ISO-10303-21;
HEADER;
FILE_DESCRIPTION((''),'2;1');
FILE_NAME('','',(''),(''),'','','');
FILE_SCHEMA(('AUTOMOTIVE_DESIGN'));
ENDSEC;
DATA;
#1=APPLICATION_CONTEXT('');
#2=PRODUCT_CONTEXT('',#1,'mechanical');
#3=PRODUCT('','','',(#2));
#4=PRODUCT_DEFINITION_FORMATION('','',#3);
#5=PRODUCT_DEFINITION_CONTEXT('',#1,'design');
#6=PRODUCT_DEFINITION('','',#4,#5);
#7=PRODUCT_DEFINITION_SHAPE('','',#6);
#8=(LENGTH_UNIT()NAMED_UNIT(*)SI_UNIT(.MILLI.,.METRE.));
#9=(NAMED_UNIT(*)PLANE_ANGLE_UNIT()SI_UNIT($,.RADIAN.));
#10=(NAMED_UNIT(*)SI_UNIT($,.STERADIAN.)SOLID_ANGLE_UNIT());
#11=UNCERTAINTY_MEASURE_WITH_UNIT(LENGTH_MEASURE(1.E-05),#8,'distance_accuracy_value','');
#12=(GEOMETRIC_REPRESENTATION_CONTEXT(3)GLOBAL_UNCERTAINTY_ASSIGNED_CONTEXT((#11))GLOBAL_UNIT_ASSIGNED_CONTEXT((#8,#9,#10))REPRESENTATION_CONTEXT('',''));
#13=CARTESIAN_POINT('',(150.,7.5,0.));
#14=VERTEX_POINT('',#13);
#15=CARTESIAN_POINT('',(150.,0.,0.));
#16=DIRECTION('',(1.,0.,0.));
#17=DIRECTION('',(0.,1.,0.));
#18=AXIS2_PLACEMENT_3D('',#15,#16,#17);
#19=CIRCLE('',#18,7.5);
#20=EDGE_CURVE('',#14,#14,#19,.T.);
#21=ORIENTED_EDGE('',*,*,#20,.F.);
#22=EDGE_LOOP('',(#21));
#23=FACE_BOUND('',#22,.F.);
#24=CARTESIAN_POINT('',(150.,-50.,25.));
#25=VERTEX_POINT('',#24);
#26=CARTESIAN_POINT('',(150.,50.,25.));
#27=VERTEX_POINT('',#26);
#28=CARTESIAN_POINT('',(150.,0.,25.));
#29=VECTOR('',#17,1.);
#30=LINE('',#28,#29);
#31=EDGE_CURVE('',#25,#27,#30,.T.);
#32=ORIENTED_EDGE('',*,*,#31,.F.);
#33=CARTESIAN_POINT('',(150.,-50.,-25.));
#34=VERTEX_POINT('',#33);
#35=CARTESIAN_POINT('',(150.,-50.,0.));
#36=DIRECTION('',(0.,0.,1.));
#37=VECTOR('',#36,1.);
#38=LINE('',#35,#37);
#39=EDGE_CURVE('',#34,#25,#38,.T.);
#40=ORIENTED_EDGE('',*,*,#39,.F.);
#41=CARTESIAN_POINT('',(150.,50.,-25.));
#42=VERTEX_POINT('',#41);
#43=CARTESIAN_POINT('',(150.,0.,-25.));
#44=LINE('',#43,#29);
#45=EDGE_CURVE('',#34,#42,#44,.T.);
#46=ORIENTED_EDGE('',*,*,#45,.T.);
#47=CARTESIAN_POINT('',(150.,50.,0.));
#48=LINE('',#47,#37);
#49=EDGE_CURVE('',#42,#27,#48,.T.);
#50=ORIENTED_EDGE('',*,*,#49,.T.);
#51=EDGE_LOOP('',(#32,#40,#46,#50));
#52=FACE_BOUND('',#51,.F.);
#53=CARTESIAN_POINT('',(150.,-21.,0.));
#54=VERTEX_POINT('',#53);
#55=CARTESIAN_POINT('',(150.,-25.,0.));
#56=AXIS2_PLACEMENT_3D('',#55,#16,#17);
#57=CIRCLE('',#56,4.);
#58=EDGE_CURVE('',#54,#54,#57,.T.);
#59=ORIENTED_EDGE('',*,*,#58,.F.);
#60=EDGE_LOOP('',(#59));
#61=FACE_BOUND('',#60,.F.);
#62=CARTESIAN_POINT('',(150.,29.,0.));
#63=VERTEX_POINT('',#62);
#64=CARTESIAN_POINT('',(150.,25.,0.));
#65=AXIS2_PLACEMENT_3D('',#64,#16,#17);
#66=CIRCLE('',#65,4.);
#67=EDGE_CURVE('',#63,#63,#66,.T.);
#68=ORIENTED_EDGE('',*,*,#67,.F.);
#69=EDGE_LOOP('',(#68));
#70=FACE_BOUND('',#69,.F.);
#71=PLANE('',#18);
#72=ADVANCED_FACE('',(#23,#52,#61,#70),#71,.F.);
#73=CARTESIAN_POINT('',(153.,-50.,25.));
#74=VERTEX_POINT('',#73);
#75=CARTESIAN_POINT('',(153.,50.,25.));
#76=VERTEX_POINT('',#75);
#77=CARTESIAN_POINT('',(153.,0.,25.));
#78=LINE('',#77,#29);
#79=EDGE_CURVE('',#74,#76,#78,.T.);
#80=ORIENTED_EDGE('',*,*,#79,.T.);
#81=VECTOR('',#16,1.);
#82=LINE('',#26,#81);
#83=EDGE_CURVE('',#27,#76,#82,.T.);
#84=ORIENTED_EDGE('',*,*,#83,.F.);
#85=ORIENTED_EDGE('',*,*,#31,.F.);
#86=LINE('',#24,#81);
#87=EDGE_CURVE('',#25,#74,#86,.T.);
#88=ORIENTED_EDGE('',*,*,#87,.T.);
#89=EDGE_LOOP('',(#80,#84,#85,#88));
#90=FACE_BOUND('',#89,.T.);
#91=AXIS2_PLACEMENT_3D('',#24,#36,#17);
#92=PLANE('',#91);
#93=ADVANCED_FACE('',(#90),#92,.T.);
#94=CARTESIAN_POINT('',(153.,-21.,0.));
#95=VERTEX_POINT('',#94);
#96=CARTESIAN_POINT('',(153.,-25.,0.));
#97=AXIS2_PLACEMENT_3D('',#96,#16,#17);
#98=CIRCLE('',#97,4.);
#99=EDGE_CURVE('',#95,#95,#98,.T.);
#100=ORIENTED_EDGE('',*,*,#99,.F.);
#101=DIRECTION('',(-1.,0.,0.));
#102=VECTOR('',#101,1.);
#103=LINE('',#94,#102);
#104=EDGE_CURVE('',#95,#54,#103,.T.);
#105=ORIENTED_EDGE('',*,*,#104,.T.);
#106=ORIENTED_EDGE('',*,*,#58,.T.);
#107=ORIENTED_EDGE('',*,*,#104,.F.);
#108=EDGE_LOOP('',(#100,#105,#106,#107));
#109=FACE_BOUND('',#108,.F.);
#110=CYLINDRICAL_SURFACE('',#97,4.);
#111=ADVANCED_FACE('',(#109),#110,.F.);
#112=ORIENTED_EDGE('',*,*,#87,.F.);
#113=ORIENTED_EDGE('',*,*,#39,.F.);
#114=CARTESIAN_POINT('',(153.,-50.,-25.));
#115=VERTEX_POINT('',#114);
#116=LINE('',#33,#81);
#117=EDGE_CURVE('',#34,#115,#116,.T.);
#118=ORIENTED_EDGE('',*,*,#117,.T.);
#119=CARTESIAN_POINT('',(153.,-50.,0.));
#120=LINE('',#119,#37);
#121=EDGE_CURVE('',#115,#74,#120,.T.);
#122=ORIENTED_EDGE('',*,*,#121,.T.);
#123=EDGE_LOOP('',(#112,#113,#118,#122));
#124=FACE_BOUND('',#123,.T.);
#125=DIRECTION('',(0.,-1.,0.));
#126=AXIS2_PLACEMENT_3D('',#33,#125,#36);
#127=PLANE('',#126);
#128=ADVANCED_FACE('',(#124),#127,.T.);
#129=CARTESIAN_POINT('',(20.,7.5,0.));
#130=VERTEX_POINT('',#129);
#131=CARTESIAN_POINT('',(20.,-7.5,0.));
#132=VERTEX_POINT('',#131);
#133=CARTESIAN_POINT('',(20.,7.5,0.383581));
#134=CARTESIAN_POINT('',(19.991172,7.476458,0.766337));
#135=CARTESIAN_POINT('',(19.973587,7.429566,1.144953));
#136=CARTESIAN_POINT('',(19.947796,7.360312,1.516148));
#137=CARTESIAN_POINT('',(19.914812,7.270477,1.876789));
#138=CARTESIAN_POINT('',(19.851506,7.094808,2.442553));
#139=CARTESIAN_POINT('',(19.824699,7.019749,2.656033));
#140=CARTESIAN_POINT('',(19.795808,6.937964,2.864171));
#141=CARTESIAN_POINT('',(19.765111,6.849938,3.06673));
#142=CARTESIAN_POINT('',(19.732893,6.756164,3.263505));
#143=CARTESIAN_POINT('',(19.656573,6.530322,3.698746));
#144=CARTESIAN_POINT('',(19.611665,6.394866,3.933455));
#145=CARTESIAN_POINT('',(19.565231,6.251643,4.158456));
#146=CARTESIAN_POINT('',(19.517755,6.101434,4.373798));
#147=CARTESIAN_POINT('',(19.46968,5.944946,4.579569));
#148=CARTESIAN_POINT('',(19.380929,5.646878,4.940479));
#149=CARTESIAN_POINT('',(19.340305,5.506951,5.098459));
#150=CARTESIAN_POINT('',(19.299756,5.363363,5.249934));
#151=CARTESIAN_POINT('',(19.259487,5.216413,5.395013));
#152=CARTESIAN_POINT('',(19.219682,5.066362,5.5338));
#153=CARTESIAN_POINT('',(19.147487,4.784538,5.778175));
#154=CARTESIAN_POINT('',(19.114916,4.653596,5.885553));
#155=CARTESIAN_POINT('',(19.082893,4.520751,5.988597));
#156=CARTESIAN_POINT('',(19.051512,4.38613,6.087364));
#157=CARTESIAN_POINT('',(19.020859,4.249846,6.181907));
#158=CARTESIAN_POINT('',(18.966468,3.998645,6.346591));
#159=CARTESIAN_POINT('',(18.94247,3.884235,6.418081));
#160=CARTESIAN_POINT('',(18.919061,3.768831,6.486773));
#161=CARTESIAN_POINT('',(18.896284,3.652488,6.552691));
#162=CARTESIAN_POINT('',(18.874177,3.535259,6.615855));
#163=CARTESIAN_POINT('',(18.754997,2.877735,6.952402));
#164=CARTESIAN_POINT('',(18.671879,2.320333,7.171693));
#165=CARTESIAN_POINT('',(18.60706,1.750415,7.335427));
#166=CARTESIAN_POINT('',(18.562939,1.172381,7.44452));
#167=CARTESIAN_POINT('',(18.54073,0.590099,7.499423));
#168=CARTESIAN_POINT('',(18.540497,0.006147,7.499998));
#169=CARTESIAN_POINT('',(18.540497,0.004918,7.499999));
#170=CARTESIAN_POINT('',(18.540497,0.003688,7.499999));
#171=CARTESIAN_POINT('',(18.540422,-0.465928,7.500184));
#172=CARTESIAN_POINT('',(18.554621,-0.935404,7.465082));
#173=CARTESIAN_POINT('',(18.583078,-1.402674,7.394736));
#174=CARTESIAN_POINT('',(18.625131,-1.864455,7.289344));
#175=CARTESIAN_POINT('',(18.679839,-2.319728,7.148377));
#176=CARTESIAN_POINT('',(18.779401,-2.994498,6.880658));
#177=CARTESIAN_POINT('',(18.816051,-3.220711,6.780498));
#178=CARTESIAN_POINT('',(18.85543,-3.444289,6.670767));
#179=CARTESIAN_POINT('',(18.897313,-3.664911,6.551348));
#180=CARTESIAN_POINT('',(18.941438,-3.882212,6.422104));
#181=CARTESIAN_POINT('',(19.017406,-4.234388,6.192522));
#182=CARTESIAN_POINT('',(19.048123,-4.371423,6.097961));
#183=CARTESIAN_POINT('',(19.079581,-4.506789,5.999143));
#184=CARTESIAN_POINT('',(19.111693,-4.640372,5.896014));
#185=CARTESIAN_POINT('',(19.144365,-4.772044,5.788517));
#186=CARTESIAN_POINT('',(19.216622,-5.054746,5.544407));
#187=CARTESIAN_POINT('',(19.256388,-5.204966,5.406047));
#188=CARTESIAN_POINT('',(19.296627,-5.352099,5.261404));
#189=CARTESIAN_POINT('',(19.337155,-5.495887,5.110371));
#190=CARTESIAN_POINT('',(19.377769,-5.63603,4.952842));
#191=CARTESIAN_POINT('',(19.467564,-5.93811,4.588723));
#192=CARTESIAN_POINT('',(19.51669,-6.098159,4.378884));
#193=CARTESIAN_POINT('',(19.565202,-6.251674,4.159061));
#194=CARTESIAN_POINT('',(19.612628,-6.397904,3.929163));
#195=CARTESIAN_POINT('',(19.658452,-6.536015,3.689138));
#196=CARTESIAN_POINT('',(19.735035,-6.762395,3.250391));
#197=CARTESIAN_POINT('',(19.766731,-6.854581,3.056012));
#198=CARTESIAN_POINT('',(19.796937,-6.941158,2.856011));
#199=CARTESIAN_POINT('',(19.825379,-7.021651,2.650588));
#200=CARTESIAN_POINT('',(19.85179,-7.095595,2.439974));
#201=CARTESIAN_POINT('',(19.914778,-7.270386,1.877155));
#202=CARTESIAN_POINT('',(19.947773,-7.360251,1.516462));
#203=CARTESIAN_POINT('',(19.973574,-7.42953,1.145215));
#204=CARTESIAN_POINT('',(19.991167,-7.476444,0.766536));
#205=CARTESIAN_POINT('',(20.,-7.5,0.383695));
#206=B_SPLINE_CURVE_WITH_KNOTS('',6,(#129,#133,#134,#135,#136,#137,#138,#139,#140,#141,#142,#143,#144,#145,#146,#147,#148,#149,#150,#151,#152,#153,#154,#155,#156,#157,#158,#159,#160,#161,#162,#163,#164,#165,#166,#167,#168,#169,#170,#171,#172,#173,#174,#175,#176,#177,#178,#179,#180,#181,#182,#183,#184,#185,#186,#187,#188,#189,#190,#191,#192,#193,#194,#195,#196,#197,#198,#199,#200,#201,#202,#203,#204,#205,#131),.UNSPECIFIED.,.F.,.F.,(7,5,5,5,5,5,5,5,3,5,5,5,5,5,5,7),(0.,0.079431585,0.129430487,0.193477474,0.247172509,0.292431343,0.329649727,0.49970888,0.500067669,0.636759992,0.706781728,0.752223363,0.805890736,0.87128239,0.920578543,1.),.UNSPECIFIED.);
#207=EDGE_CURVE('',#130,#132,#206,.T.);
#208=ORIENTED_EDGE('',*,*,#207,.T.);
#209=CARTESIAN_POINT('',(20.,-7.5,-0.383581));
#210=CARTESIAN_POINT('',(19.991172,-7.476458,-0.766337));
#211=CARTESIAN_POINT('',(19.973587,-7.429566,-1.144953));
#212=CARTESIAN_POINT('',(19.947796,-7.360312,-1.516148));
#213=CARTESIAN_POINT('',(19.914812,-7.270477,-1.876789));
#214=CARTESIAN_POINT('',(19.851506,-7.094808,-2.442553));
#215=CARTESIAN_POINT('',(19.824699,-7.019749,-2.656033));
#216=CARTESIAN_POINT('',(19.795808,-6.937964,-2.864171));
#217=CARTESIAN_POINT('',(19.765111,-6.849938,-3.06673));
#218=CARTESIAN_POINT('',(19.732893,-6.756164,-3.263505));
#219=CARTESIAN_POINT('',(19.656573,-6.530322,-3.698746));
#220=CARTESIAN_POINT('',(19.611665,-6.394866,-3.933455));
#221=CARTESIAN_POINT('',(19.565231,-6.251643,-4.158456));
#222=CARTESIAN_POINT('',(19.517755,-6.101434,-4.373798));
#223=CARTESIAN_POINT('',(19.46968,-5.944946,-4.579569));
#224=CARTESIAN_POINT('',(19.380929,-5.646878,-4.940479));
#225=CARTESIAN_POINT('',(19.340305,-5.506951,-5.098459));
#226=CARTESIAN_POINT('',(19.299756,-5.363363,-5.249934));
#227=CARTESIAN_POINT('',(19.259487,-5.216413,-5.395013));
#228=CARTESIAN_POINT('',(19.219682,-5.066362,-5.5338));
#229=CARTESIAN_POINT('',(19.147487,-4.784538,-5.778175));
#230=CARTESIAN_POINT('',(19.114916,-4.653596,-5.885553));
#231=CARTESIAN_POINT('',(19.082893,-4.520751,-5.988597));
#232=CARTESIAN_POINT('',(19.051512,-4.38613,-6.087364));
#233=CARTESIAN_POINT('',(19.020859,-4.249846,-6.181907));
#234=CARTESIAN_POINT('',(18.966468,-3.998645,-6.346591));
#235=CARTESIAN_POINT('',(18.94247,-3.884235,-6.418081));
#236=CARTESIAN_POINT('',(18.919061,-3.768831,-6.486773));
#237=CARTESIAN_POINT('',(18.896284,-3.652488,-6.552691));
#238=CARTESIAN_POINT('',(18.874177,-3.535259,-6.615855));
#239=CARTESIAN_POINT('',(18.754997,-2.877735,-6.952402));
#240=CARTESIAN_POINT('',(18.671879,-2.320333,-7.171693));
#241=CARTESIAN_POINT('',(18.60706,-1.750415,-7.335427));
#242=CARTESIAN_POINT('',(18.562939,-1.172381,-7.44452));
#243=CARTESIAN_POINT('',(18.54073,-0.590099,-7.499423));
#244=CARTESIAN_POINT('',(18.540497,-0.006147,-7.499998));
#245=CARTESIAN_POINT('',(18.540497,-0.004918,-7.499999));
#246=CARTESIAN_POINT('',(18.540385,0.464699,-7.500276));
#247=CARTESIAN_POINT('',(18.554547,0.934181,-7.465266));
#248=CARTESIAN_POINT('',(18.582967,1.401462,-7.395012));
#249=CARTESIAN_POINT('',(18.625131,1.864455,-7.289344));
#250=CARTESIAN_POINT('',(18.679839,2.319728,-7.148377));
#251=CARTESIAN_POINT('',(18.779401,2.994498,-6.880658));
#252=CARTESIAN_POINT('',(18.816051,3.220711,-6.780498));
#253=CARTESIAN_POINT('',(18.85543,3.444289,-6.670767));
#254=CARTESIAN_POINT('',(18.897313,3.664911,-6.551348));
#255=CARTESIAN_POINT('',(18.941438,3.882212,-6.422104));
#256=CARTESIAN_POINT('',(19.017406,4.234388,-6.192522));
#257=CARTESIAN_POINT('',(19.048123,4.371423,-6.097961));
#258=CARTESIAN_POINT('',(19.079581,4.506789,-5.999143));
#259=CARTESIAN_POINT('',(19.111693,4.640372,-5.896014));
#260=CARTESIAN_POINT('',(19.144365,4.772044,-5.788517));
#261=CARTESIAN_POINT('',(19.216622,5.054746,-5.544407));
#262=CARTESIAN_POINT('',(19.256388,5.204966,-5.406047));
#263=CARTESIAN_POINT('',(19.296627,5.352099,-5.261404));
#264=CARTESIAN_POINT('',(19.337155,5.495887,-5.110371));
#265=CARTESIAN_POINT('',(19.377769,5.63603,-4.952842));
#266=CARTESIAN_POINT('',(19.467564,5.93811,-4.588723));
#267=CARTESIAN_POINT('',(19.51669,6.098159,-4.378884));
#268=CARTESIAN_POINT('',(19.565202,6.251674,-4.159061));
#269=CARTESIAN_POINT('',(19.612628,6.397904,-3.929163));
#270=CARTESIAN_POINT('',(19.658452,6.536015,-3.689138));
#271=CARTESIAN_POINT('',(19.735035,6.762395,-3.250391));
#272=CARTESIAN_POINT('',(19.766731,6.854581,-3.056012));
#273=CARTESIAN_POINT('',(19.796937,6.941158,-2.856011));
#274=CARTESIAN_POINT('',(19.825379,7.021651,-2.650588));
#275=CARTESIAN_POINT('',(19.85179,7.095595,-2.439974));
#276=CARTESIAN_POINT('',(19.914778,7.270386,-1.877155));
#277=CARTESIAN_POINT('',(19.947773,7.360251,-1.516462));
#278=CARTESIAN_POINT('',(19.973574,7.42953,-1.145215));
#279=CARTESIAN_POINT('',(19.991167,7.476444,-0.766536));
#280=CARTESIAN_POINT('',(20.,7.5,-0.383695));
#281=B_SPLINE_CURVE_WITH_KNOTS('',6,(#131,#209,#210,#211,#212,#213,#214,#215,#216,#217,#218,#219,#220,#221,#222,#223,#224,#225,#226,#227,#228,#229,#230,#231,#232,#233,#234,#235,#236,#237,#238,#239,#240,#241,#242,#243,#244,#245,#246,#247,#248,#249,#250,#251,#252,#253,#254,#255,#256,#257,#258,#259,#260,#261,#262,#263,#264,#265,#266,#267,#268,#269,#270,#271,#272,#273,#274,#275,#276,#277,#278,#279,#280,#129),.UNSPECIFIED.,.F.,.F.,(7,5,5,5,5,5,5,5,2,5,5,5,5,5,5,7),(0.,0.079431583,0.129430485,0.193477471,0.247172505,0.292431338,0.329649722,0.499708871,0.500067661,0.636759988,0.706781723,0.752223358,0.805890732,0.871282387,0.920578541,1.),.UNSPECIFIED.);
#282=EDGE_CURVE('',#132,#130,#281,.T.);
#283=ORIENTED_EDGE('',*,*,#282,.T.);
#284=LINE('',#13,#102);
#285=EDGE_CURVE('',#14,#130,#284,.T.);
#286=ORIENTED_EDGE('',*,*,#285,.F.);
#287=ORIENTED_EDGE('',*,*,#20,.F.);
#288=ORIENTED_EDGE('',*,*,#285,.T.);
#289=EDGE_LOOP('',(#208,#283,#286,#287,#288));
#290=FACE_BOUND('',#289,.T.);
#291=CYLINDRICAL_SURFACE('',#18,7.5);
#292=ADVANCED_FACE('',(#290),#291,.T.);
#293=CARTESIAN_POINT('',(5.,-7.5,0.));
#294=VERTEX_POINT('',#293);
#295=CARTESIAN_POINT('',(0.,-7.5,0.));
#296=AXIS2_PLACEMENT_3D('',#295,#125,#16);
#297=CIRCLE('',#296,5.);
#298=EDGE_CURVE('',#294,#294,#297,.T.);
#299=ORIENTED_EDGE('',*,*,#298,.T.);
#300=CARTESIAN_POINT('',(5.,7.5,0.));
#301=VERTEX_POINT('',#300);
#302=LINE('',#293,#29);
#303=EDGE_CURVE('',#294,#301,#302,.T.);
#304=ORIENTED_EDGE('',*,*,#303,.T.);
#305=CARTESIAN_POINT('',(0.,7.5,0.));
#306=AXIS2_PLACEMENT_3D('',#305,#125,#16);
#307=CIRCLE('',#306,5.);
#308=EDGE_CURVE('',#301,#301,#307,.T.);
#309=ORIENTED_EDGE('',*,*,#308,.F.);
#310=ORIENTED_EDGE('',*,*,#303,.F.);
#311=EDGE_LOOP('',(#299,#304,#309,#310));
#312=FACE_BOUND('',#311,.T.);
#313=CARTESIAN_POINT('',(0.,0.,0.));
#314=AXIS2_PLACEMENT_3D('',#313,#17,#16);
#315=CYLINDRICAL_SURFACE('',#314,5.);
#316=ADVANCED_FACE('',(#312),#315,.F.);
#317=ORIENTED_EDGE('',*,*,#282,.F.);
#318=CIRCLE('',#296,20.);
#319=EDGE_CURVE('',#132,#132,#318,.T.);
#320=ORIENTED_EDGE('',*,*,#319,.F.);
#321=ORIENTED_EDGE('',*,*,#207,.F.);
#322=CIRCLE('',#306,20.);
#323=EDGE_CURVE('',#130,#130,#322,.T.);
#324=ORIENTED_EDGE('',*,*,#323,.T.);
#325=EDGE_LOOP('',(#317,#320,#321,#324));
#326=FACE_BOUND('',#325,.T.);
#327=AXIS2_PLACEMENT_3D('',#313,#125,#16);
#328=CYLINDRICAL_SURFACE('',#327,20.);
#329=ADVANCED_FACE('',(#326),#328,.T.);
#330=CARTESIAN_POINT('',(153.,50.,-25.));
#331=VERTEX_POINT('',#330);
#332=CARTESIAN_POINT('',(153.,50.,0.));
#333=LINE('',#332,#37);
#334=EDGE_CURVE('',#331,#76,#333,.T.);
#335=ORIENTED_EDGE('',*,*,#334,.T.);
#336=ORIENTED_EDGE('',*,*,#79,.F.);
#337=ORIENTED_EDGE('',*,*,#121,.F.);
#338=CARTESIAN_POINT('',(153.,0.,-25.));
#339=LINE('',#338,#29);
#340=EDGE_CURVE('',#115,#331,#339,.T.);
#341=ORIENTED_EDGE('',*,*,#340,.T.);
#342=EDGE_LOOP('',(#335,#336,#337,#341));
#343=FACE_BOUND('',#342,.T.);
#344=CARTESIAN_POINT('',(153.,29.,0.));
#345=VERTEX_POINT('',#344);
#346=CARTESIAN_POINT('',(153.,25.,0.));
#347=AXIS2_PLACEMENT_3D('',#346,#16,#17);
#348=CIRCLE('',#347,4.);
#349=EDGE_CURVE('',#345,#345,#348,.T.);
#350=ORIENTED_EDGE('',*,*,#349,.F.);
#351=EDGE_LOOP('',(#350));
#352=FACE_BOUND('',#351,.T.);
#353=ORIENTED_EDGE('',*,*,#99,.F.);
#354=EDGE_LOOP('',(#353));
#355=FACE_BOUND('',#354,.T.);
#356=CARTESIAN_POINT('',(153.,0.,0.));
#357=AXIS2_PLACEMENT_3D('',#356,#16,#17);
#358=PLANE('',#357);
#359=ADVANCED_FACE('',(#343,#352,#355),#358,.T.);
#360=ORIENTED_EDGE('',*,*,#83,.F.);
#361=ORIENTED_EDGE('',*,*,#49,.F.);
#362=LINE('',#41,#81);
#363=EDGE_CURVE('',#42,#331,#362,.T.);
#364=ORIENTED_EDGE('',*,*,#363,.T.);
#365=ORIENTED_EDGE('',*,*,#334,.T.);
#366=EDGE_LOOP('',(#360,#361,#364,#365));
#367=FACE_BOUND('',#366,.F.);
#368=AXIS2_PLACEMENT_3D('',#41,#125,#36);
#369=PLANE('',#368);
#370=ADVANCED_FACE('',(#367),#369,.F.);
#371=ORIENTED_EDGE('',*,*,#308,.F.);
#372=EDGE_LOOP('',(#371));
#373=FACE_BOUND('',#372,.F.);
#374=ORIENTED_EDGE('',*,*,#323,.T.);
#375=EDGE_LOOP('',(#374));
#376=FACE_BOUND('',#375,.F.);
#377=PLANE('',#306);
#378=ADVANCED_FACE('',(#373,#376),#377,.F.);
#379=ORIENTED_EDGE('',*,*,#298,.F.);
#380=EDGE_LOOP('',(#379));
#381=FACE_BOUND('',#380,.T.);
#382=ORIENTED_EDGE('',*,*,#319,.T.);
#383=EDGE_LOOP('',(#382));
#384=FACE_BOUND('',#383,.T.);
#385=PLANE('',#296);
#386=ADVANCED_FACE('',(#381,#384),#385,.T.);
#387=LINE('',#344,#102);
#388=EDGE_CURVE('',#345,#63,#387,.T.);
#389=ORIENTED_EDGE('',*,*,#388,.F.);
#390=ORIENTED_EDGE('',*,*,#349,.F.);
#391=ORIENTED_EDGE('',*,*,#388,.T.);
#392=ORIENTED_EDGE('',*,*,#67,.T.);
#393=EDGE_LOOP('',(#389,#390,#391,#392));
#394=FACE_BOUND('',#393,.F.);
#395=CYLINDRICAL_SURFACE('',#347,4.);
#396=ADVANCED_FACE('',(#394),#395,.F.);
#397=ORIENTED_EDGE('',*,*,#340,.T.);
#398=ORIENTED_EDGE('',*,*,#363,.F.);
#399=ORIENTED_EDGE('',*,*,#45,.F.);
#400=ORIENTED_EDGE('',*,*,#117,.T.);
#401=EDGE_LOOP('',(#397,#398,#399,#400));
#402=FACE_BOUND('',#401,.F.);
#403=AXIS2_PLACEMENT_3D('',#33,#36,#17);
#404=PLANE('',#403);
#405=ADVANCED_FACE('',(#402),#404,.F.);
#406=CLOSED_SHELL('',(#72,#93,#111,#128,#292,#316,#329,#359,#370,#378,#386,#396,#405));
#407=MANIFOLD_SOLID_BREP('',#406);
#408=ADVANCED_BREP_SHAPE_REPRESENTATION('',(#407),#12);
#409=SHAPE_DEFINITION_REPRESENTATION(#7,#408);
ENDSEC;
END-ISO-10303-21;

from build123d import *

# Parameters (mm, degrees)
F0_R     = 20
F0_R_2   = 5
F1_DEPTH = 7.5
F3_R     = 7.5
F4_DEPTH = 131.4595038823
F5_W     = 100
F5_H     = 50
F6_DEPTH = 3
F7_R     = 4
F8_DEPTH = 3


with BuildPart() as f1:
    # F0 (on Front) → F1 (new body, symmetric)
    with BuildSketch(Plane.XZ):
        Circle(F0_R)
        Circle(F0_R_2, mode=Mode.SUBTRACT)
    extrude(amount=F1_DEPTH, both=True)

    # F3 (on offset) → F4 (join, through all)
    with BuildSketch(Plane.YZ.offset(150)):
        Circle(F3_R)
    extrude(amount=-F4_DEPTH)

    # F5 (on offset) → F6 (join)
    with BuildSketch(Plane.YZ.offset(150)):
        Rectangle(F5_W, F5_H)
    extrude(amount=F6_DEPTH)

    # F7 (on face) → F8 (cut, through all)
    with BuildSketch(Plane.YZ.offset(153)):
        with Locations((-25, 0)):
            Circle(F7_R)
        with Locations((25, 0)):
            Circle(F7_R)
    extrude(amount=-F8_DEPTH, mode=Mode.SUBTRACT)


solid = f1.part
